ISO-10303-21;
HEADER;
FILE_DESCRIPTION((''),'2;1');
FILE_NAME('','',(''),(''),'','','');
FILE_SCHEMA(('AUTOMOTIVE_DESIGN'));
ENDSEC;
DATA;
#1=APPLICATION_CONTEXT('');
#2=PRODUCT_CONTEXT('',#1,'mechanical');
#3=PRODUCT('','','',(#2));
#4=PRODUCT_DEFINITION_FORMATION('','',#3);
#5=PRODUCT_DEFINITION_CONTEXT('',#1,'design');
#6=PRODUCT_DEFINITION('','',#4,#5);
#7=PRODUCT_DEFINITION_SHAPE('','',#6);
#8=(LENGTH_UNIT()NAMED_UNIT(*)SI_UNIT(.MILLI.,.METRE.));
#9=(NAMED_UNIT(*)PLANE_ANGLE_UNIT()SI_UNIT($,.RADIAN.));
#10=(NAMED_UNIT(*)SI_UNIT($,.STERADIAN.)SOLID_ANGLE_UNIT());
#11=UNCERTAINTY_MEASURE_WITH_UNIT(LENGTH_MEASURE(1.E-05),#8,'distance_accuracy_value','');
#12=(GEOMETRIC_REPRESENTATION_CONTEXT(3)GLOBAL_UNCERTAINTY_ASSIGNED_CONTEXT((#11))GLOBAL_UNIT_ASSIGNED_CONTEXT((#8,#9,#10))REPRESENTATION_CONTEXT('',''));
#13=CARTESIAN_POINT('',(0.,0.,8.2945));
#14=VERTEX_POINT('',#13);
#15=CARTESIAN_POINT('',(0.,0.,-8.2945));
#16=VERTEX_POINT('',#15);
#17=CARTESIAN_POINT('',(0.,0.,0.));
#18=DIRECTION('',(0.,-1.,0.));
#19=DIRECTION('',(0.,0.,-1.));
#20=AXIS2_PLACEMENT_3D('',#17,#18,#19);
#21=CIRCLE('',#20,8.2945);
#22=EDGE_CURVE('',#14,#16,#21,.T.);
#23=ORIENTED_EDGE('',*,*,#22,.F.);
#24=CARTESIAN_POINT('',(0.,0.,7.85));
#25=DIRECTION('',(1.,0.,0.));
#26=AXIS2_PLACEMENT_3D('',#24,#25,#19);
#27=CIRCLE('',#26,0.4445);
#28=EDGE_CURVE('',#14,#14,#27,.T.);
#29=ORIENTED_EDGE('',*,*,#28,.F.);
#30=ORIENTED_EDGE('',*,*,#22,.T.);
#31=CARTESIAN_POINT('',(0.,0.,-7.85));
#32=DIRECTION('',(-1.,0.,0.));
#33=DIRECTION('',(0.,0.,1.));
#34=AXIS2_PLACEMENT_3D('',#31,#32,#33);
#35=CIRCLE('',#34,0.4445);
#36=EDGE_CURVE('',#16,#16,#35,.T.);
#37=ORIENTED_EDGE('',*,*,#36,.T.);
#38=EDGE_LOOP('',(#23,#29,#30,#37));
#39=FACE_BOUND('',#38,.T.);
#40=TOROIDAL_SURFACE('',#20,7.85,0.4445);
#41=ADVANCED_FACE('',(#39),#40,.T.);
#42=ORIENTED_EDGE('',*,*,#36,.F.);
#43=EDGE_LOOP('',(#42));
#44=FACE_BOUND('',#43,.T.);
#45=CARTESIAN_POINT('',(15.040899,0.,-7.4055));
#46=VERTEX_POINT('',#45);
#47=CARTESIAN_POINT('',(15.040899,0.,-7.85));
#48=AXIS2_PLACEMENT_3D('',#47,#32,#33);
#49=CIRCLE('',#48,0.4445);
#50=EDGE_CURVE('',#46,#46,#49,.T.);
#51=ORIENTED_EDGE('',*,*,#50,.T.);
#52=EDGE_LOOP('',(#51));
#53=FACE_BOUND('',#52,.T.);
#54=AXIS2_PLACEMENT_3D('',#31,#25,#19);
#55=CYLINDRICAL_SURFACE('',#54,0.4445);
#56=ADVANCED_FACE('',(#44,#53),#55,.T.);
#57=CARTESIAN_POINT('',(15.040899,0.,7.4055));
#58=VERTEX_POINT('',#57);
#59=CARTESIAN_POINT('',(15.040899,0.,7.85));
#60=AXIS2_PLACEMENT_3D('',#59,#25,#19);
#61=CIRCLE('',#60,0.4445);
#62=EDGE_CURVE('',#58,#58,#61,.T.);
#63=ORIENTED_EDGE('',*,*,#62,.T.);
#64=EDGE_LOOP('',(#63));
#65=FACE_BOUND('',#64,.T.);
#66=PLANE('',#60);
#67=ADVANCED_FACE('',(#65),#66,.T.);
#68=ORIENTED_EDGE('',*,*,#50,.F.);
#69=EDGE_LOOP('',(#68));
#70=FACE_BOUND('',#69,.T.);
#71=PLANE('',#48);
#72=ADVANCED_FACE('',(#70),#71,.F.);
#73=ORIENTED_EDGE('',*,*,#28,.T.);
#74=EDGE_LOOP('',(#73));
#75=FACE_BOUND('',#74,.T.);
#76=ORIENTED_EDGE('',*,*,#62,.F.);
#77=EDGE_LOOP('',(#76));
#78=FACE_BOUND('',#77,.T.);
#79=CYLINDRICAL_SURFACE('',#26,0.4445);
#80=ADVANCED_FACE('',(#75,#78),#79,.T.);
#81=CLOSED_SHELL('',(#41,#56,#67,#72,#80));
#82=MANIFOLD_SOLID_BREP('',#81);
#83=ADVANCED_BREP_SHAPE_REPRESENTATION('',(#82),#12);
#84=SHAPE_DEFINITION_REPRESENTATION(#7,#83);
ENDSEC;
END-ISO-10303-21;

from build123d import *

# Parameters (mm, degrees)
SKETCH2_R = 0.4445


with BuildPart() as part:
    # Sweep1: sweep along a path in Sketch1
    with BuildLine(Plane(origin=(0, 0, 0), x_dir=(1, 0, 0), z_dir=(0, 1, 0))) as sweep1_path:
        Line((15.040898697, -7.85), (0, -7.85))
        ThreePointArc((0, -7.85), (-7.85, 0), (0, 7.85))
        Line((0, 7.85), (15.040898697, 7.85))
    # Sketch2 → Sweep1 (sweep)
    with BuildSketch(Plane(origin=(15.040898697, 0, 0), x_dir=(0, 0, -1), z_dir=(1, 0, 0))):
        with Locations((-7.85, 0)):
            Circle(SKETCH2_R)
    sweep(path=sweep1_path.line)


solid = part.part
